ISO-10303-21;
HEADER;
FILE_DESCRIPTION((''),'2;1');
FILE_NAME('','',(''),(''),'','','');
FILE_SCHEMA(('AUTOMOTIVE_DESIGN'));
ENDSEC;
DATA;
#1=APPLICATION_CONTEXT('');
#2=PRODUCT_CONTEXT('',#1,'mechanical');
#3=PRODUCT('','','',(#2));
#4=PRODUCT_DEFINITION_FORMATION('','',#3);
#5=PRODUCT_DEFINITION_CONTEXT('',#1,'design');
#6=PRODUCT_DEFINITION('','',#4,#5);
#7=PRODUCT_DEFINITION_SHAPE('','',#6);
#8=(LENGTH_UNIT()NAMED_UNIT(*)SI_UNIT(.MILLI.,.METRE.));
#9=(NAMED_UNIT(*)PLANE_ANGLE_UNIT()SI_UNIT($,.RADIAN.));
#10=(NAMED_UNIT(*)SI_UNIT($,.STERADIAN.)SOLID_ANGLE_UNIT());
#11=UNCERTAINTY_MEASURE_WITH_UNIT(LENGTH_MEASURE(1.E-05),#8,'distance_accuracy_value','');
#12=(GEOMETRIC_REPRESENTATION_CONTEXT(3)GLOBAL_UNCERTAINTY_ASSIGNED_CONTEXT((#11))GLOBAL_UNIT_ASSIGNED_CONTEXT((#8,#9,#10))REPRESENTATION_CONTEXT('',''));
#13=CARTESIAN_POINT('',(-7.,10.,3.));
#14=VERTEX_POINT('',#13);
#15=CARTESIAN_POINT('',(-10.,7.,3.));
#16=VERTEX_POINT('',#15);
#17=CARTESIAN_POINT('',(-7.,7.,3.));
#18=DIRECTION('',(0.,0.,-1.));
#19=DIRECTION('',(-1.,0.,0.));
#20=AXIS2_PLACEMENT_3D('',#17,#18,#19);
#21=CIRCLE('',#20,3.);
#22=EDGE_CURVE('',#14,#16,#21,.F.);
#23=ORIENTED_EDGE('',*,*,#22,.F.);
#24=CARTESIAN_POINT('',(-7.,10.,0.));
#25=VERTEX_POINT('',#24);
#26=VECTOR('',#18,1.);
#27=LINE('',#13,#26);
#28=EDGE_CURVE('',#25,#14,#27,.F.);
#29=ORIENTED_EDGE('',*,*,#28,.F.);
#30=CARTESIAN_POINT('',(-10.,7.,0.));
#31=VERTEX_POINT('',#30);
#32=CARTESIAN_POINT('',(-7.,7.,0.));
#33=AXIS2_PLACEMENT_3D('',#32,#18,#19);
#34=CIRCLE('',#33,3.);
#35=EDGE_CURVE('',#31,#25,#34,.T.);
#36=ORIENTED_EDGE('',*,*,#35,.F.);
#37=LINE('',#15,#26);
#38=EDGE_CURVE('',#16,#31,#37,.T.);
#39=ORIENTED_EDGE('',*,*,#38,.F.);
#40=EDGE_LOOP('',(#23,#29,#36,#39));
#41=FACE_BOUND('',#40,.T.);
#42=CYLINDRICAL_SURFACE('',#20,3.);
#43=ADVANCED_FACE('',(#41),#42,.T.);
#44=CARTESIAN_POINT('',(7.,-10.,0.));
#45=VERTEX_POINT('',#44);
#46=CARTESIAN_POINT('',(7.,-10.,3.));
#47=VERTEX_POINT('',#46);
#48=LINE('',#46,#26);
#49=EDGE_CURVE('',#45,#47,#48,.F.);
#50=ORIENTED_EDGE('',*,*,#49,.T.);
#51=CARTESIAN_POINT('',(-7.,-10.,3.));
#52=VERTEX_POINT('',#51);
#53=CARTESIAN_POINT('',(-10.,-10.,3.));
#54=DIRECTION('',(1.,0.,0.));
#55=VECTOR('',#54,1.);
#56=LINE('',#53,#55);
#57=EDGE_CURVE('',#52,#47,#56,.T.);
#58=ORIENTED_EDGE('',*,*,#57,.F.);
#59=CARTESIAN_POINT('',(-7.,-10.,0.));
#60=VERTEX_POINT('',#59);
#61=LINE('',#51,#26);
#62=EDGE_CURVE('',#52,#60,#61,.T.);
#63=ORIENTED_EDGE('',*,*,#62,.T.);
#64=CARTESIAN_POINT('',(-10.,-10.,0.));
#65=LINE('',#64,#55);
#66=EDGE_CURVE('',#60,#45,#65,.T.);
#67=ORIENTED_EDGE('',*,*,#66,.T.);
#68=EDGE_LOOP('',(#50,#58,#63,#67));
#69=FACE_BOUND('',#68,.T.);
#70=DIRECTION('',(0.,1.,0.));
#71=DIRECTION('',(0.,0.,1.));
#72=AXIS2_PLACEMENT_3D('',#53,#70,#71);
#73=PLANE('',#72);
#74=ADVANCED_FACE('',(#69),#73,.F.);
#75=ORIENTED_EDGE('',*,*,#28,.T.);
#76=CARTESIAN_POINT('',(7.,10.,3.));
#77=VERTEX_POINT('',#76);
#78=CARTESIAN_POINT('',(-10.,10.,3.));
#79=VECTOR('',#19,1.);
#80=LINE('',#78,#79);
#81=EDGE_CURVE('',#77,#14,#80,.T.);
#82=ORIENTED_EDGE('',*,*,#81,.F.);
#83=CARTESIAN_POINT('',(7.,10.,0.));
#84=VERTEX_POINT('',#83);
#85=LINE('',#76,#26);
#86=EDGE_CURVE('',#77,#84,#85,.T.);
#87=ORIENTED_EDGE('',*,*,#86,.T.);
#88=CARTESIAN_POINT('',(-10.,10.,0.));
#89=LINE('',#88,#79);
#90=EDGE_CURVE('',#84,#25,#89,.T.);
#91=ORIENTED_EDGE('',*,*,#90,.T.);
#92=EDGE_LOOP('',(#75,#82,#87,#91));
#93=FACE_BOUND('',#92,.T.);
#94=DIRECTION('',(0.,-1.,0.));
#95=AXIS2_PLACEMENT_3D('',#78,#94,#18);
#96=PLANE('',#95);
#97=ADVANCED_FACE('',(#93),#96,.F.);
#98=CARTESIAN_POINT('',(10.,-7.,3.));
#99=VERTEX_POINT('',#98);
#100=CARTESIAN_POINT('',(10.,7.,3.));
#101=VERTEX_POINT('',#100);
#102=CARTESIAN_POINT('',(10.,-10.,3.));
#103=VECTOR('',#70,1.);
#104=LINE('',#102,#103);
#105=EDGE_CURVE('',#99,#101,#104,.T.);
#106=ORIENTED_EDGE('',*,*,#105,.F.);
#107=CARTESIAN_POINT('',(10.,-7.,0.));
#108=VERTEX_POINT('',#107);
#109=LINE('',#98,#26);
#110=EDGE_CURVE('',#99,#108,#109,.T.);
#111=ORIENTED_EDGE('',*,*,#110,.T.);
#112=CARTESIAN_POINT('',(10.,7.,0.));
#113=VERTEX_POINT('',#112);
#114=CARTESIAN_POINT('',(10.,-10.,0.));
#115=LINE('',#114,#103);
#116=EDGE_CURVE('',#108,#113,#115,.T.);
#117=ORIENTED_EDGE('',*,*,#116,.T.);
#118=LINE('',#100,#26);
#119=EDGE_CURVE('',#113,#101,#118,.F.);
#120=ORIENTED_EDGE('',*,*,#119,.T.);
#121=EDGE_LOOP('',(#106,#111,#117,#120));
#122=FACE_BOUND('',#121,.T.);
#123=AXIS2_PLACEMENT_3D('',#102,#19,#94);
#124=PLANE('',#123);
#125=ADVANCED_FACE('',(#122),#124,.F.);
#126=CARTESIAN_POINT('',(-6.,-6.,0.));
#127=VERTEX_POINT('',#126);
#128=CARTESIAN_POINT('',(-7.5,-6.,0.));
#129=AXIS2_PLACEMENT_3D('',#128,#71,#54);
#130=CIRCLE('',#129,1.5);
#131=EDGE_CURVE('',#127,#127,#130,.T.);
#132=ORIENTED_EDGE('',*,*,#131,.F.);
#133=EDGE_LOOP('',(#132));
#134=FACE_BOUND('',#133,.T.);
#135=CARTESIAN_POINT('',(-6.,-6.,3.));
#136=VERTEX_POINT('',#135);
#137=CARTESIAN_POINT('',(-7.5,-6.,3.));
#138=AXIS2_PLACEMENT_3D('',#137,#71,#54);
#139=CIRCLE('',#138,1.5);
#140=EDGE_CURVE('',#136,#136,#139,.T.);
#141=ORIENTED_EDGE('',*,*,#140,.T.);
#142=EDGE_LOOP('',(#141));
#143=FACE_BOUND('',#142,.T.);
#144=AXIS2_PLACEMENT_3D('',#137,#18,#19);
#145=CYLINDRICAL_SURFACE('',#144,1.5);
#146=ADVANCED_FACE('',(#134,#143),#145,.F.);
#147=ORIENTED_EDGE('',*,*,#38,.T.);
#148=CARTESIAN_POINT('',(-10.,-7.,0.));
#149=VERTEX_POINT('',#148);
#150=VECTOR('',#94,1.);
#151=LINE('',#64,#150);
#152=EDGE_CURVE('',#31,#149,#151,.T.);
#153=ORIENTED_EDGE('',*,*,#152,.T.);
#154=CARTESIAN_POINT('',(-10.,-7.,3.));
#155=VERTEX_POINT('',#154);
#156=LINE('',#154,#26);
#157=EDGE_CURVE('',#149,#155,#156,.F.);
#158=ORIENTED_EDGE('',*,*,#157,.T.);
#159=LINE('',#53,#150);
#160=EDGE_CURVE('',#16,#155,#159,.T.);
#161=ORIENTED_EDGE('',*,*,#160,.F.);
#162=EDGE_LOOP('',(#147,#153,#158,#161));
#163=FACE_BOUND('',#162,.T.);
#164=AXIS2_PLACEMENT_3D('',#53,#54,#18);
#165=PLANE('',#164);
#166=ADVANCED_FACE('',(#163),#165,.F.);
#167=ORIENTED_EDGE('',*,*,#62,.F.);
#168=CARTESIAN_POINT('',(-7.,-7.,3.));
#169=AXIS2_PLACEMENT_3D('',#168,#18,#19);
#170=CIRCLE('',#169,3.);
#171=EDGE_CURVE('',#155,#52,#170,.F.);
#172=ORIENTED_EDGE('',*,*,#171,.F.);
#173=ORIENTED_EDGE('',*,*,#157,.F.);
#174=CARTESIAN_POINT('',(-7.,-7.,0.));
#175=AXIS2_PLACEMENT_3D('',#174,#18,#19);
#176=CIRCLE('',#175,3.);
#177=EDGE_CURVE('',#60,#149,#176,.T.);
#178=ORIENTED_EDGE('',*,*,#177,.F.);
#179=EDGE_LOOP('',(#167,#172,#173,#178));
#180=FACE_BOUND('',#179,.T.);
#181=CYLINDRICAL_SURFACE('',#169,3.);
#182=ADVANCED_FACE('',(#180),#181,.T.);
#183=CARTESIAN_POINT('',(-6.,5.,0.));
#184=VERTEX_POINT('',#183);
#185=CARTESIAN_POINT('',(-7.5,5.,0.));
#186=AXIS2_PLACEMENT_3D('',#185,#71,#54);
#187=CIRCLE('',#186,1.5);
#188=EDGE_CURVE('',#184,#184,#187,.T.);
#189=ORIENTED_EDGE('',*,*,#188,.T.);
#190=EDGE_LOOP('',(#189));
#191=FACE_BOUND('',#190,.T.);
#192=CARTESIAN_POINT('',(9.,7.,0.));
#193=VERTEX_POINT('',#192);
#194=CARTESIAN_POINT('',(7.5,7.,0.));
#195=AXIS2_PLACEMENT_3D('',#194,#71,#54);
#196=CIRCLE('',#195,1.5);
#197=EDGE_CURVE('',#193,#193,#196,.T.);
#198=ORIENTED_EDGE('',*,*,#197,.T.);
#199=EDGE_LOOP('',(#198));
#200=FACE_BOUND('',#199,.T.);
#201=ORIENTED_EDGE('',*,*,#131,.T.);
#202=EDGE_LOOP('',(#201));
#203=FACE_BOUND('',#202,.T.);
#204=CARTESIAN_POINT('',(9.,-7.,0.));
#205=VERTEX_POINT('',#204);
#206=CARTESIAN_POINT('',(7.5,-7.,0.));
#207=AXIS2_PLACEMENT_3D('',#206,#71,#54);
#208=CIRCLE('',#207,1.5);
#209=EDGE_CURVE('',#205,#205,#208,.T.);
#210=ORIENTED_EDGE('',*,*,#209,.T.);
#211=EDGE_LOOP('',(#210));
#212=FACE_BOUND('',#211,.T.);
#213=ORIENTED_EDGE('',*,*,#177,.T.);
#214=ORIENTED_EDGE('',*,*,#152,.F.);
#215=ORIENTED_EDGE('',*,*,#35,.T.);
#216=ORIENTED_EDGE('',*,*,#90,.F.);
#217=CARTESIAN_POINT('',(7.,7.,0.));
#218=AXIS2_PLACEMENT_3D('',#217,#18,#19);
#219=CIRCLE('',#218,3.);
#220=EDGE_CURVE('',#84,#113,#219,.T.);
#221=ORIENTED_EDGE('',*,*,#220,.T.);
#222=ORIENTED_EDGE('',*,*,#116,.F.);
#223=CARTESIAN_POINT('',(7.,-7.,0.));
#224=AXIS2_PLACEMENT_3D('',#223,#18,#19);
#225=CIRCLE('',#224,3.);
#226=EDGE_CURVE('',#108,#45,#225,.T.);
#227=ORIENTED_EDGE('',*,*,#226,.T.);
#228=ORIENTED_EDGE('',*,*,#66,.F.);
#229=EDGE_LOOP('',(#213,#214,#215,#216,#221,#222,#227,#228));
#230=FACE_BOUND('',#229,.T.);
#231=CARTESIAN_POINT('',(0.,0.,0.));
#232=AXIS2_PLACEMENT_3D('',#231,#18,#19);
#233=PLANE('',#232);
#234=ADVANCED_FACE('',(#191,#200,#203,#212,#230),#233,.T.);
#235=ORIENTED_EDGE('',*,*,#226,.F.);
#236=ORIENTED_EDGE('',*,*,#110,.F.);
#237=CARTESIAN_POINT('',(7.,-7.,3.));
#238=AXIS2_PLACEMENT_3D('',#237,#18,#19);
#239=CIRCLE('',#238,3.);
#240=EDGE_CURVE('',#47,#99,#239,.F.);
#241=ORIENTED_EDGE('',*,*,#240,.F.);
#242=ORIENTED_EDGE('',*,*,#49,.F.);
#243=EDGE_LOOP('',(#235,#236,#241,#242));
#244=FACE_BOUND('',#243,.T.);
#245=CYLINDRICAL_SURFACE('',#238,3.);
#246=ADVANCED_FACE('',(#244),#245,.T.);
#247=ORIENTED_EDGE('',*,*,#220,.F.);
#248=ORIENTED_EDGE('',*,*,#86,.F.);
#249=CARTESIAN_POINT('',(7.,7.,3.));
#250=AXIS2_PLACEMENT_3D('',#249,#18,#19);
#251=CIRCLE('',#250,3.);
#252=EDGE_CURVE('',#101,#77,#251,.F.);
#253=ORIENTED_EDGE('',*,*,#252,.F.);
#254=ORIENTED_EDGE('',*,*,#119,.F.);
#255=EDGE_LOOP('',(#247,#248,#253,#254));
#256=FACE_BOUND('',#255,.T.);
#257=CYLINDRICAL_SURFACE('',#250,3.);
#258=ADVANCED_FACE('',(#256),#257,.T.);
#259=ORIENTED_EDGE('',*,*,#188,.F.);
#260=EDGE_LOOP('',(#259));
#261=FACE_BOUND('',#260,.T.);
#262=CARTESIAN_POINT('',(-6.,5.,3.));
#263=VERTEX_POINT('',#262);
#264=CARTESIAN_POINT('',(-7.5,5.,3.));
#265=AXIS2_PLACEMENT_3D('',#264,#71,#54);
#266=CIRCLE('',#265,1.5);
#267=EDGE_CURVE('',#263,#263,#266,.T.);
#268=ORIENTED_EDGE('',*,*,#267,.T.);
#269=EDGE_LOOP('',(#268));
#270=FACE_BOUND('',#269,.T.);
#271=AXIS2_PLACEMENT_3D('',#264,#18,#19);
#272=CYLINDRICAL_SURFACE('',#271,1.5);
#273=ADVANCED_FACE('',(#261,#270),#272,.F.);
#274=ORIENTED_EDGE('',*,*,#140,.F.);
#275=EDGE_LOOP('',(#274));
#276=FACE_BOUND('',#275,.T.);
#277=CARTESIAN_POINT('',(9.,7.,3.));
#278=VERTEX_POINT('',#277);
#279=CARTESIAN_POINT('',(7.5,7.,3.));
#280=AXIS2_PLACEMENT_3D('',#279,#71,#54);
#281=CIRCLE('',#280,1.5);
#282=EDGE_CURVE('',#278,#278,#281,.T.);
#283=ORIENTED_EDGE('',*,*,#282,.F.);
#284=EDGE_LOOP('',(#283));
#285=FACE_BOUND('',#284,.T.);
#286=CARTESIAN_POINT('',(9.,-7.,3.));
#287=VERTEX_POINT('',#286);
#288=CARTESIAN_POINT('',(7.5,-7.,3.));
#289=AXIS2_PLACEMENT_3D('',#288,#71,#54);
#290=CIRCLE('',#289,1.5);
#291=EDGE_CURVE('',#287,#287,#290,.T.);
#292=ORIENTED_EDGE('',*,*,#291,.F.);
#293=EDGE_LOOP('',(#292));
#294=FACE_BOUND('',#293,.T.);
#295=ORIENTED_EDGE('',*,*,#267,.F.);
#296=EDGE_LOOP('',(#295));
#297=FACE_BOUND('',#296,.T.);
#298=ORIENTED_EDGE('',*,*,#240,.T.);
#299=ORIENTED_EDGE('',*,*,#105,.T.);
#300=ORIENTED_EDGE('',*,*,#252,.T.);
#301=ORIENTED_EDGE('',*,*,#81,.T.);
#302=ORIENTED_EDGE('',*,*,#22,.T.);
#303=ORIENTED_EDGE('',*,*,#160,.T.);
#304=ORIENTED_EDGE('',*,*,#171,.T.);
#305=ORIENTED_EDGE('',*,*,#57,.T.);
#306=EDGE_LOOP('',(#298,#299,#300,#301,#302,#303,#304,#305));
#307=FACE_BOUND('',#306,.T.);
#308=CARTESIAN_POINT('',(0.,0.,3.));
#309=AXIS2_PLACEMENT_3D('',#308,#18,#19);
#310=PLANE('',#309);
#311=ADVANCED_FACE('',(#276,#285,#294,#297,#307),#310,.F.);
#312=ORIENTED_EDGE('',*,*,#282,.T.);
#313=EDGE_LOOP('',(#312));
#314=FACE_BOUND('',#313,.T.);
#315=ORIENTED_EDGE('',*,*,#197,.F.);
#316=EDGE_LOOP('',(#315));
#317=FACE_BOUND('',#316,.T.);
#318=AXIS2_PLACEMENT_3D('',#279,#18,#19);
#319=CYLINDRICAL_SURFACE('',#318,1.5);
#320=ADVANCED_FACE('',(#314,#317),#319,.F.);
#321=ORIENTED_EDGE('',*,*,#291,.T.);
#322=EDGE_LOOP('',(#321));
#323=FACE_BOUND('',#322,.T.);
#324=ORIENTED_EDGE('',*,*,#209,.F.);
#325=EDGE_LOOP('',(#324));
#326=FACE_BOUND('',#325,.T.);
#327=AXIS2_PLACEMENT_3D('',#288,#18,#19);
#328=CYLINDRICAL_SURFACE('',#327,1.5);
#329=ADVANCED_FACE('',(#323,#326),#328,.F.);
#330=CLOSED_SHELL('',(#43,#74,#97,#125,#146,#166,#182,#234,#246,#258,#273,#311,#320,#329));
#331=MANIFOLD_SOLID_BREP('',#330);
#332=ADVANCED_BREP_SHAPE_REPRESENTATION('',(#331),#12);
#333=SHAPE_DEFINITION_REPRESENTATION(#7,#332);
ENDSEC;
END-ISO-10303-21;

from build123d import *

# Parameters (mm, degrees)
SKETCH_1_W      = 20
SKETCH_1_H      = 20
SKETCH_1_R      = 1.5
EXTRUDE_1_DEPTH = 3
FILLET_1_R      = 3


with BuildPart() as part:
    # 草图1 → 凸台-拉伸1 (new body)
    with BuildSketch(Plane.XY):
        Rectangle(SKETCH_1_W, SKETCH_1_H)
        with Locations((7.5, 7)):
            Circle(SKETCH_1_R, mode=Mode.SUBTRACT)
        with Locations((7.5, -7)):
            Circle(SKETCH_1_R, mode=Mode.SUBTRACT)
        with Locations((-7.5, 5)):
            Circle(SKETCH_1_R, mode=Mode.SUBTRACT)
        with Locations((-7.5, -6)):
            Circle(SKETCH_1_R, mode=Mode.SUBTRACT)
    extrude(amount=EXTRUDE_1_DEPTH)

    # 圆角1
    fillet_1_edges = [part.edges().sort_by_distance(p)[0] for p in [
        (10, -10, 1.5),
        (-10, -10, 1.5),
        (-10, 10, 1.5),
        (10, 10, 1.5),
    ]]
    fillet(fillet_1_edges, radius=FILLET_1_R)


solid = part.part
